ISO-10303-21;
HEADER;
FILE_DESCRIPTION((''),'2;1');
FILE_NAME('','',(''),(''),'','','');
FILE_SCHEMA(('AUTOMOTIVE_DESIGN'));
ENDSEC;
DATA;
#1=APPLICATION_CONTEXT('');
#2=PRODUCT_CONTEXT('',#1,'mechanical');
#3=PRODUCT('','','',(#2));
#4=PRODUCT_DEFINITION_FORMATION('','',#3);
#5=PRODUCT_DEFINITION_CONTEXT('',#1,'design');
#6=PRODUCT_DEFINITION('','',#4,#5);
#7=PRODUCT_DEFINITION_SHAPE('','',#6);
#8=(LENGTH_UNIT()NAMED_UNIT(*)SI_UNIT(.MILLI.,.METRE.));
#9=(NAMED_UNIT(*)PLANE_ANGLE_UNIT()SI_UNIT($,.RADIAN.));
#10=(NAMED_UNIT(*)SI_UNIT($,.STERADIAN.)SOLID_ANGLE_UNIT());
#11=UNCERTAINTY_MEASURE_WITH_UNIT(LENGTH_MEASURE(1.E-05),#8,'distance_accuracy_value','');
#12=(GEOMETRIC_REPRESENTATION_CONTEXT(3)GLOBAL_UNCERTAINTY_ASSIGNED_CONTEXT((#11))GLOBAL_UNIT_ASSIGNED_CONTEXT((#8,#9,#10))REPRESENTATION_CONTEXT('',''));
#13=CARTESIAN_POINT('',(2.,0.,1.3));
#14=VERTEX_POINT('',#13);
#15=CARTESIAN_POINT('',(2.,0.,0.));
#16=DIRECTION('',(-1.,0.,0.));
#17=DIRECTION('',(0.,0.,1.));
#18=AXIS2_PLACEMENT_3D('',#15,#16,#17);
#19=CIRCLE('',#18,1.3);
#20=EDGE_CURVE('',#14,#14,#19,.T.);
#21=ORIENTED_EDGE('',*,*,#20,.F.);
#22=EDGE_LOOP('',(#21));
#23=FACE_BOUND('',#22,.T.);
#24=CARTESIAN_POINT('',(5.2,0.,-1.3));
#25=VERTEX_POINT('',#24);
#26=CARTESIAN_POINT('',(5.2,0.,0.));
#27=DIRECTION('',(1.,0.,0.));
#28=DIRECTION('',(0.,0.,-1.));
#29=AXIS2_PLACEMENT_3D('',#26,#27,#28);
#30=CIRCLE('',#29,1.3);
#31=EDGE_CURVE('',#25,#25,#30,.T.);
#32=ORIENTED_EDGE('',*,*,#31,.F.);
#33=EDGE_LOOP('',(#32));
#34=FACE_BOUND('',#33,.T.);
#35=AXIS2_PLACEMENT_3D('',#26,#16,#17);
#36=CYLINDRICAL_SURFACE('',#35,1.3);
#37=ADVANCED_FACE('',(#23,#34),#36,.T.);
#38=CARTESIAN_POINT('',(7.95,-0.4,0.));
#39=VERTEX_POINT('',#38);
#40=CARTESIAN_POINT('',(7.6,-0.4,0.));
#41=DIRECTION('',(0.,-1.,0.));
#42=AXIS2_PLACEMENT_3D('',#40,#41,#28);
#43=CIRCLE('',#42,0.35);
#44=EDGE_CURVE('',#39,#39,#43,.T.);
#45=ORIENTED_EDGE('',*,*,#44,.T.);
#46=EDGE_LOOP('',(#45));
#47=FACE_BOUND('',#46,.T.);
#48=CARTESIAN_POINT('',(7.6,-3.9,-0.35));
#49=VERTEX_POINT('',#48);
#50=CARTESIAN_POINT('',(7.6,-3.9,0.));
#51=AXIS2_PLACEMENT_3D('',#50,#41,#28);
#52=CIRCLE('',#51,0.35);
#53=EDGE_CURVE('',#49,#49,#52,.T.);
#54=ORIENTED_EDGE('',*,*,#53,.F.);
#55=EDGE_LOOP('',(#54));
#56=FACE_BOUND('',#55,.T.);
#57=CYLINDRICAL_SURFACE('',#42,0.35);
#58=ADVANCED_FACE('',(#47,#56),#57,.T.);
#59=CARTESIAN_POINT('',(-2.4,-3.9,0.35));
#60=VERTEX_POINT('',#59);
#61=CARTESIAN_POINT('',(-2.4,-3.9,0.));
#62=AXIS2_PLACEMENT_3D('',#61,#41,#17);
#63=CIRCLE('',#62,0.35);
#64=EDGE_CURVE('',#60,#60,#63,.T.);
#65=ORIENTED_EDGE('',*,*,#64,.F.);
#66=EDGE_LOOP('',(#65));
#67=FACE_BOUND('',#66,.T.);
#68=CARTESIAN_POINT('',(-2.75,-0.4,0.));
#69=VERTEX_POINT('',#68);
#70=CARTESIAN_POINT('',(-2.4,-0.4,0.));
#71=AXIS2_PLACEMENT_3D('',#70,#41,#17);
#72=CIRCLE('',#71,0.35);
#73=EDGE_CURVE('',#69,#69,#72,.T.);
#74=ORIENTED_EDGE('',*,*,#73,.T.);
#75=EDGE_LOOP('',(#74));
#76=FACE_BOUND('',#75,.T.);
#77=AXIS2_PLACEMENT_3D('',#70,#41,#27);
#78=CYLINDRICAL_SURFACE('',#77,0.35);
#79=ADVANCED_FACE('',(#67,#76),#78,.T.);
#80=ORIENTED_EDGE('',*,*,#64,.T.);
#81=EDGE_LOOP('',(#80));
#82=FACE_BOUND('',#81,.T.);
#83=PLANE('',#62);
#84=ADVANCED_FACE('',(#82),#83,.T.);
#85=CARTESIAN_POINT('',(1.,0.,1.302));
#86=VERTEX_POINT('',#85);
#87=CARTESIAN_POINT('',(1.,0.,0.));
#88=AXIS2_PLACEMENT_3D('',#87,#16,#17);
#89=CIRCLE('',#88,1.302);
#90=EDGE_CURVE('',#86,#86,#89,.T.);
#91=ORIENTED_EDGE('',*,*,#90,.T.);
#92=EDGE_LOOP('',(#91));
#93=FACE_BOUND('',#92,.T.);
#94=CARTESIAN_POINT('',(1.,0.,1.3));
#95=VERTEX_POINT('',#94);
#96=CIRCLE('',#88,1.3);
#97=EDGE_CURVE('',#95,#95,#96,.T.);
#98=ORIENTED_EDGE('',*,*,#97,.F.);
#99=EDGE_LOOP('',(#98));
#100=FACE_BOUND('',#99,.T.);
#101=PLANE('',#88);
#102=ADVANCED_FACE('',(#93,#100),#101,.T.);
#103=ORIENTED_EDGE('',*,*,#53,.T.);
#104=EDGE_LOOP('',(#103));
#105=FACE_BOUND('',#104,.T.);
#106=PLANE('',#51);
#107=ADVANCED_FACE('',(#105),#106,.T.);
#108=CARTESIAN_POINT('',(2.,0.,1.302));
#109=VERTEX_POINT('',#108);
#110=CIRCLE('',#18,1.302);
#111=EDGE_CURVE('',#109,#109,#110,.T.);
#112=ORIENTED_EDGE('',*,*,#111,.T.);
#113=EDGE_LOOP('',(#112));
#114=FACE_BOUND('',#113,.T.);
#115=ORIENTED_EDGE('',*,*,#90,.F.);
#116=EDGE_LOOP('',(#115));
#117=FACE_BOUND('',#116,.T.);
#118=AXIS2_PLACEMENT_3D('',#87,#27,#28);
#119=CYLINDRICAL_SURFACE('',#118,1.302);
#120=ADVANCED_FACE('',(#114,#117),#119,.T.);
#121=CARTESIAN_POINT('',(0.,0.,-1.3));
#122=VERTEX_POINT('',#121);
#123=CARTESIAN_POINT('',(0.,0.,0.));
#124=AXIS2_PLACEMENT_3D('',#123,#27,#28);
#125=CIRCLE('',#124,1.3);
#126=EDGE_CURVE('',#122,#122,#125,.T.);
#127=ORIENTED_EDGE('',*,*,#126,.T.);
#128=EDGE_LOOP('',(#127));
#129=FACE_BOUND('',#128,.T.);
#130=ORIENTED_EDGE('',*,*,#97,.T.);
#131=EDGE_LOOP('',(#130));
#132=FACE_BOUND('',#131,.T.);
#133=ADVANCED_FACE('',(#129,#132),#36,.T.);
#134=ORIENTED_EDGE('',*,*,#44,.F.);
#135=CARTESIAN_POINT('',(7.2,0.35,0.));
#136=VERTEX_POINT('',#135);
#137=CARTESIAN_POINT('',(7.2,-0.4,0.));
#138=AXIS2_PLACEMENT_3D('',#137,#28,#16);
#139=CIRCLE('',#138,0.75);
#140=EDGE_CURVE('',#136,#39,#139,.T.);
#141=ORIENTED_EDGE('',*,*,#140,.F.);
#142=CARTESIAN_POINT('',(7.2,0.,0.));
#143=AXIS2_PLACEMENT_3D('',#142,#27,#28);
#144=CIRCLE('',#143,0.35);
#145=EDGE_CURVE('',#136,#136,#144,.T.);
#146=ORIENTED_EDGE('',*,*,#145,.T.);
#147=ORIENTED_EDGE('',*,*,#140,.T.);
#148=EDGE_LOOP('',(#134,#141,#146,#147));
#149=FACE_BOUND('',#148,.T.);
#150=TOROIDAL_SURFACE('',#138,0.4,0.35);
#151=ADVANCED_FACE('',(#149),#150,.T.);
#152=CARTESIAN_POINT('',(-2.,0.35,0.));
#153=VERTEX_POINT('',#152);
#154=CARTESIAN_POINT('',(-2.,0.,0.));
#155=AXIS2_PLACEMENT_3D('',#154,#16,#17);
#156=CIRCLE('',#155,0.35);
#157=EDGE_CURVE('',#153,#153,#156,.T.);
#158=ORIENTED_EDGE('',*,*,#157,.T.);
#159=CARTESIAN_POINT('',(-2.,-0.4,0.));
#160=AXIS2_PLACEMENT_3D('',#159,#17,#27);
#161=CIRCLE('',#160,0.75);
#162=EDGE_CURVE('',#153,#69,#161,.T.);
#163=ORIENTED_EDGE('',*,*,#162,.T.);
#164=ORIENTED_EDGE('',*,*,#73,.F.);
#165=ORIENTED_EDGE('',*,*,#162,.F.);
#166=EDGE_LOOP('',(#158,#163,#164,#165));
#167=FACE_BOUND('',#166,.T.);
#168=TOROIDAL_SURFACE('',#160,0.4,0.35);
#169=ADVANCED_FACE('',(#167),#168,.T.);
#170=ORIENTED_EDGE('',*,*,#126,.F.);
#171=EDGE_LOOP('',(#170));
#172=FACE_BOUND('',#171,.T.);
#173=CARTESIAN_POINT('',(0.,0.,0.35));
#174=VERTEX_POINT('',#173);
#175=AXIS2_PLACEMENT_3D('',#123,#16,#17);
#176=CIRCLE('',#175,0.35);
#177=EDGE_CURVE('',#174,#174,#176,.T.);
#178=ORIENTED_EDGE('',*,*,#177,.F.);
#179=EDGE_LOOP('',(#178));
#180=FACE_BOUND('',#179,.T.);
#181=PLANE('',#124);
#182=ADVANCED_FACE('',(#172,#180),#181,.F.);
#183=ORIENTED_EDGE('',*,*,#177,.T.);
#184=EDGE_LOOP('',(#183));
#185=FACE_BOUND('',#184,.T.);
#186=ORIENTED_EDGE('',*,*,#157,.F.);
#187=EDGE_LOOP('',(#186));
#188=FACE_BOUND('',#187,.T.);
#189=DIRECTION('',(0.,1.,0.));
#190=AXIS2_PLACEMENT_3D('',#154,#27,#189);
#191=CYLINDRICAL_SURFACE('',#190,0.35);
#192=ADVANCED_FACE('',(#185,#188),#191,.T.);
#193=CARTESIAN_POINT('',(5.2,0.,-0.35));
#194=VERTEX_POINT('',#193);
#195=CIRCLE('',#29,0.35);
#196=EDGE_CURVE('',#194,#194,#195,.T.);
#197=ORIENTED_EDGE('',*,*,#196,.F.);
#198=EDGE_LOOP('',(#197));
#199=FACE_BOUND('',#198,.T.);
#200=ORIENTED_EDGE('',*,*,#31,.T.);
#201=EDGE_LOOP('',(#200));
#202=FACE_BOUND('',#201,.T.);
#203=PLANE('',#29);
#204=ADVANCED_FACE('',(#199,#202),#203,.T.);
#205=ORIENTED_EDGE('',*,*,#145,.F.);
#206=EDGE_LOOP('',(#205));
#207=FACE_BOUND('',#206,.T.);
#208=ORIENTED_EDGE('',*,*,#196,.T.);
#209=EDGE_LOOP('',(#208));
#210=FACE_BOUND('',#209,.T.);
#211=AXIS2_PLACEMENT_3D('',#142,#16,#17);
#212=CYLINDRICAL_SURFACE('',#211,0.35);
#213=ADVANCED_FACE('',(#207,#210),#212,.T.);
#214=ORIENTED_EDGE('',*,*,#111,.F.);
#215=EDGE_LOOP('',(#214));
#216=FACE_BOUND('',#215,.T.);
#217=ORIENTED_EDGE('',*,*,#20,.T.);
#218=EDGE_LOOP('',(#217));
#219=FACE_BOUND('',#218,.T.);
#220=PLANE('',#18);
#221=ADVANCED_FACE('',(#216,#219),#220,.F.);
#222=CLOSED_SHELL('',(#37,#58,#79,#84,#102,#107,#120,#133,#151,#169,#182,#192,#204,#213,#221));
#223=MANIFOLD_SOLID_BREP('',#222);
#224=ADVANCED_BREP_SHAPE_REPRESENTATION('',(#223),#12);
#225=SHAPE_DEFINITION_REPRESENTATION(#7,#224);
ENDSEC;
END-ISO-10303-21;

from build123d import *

# Parameters (mm, degrees)
SKIZZE1_R                       = 1.3
AUFSATZ_LINEAR_AUSTRAGEN1_DEPTH = 5.2
SKIZZE4_R                       = 1.302
AUFSATZ_LINEAR_AUSTRAGEN2_DEPTH = 1
SKIZZE10_R                      = 0.35
SKIZZE12_R                      = 0.35


with BuildPart() as part:
    # Skizze1 → Aufsatz-Linear austragen1 (new body)
    with BuildSketch(Plane(origin=(0, 0, 0), x_dir=(0, 0, -1), z_dir=(1, 0, 0))):
        Circle(SKIZZE1_R)
    extrude(amount=AUFSATZ_LINEAR_AUSTRAGEN1_DEPTH)

    # Skizze4 → Aufsatz-Linear austragen2 (add)
    with BuildSketch(Plane.ZY.offset(-2)):
        Circle(SKIZZE4_R)
    extrude(amount=AUFSATZ_LINEAR_AUSTRAGEN2_DEPTH)

    # Austragung3: sweep along a path in Skizze11
    with BuildLine(Plane.XY) as austragung3_path:
        Line((5.2, 0), (7.2, 0))
        ThreePointArc((7.2, 0), (7.482842712, -0.117157288), (7.6, -0.4))
        Line((7.6, -0.4), (7.6, -3.9))
    # Skizze10 → Austragung3 (sweep)
    with BuildSketch(Plane(origin=(5.2, 0, 0), x_dir=(0, 0, -1), z_dir=(1, 0, 0))):
        Circle(SKIZZE10_R)
    sweep(path=austragung3_path.line)

    # Austragung4: sweep along a path in Skizze13
    with BuildLine(Plane.XY) as austragung4_path:
        Line((0, 0), (-2, 0))
        ThreePointArc((-2, 0), (-2.282842712, -0.117157288), (-2.4, -0.4))
        Line((-2.4, -0.4), (-2.4, -3.9))
    # Skizze12 → Austragung4 (sweep)
    with BuildSketch(Plane.ZY):
        Circle(SKIZZE12_R)
    sweep(path=austragung4_path.line)


solid = part.part
